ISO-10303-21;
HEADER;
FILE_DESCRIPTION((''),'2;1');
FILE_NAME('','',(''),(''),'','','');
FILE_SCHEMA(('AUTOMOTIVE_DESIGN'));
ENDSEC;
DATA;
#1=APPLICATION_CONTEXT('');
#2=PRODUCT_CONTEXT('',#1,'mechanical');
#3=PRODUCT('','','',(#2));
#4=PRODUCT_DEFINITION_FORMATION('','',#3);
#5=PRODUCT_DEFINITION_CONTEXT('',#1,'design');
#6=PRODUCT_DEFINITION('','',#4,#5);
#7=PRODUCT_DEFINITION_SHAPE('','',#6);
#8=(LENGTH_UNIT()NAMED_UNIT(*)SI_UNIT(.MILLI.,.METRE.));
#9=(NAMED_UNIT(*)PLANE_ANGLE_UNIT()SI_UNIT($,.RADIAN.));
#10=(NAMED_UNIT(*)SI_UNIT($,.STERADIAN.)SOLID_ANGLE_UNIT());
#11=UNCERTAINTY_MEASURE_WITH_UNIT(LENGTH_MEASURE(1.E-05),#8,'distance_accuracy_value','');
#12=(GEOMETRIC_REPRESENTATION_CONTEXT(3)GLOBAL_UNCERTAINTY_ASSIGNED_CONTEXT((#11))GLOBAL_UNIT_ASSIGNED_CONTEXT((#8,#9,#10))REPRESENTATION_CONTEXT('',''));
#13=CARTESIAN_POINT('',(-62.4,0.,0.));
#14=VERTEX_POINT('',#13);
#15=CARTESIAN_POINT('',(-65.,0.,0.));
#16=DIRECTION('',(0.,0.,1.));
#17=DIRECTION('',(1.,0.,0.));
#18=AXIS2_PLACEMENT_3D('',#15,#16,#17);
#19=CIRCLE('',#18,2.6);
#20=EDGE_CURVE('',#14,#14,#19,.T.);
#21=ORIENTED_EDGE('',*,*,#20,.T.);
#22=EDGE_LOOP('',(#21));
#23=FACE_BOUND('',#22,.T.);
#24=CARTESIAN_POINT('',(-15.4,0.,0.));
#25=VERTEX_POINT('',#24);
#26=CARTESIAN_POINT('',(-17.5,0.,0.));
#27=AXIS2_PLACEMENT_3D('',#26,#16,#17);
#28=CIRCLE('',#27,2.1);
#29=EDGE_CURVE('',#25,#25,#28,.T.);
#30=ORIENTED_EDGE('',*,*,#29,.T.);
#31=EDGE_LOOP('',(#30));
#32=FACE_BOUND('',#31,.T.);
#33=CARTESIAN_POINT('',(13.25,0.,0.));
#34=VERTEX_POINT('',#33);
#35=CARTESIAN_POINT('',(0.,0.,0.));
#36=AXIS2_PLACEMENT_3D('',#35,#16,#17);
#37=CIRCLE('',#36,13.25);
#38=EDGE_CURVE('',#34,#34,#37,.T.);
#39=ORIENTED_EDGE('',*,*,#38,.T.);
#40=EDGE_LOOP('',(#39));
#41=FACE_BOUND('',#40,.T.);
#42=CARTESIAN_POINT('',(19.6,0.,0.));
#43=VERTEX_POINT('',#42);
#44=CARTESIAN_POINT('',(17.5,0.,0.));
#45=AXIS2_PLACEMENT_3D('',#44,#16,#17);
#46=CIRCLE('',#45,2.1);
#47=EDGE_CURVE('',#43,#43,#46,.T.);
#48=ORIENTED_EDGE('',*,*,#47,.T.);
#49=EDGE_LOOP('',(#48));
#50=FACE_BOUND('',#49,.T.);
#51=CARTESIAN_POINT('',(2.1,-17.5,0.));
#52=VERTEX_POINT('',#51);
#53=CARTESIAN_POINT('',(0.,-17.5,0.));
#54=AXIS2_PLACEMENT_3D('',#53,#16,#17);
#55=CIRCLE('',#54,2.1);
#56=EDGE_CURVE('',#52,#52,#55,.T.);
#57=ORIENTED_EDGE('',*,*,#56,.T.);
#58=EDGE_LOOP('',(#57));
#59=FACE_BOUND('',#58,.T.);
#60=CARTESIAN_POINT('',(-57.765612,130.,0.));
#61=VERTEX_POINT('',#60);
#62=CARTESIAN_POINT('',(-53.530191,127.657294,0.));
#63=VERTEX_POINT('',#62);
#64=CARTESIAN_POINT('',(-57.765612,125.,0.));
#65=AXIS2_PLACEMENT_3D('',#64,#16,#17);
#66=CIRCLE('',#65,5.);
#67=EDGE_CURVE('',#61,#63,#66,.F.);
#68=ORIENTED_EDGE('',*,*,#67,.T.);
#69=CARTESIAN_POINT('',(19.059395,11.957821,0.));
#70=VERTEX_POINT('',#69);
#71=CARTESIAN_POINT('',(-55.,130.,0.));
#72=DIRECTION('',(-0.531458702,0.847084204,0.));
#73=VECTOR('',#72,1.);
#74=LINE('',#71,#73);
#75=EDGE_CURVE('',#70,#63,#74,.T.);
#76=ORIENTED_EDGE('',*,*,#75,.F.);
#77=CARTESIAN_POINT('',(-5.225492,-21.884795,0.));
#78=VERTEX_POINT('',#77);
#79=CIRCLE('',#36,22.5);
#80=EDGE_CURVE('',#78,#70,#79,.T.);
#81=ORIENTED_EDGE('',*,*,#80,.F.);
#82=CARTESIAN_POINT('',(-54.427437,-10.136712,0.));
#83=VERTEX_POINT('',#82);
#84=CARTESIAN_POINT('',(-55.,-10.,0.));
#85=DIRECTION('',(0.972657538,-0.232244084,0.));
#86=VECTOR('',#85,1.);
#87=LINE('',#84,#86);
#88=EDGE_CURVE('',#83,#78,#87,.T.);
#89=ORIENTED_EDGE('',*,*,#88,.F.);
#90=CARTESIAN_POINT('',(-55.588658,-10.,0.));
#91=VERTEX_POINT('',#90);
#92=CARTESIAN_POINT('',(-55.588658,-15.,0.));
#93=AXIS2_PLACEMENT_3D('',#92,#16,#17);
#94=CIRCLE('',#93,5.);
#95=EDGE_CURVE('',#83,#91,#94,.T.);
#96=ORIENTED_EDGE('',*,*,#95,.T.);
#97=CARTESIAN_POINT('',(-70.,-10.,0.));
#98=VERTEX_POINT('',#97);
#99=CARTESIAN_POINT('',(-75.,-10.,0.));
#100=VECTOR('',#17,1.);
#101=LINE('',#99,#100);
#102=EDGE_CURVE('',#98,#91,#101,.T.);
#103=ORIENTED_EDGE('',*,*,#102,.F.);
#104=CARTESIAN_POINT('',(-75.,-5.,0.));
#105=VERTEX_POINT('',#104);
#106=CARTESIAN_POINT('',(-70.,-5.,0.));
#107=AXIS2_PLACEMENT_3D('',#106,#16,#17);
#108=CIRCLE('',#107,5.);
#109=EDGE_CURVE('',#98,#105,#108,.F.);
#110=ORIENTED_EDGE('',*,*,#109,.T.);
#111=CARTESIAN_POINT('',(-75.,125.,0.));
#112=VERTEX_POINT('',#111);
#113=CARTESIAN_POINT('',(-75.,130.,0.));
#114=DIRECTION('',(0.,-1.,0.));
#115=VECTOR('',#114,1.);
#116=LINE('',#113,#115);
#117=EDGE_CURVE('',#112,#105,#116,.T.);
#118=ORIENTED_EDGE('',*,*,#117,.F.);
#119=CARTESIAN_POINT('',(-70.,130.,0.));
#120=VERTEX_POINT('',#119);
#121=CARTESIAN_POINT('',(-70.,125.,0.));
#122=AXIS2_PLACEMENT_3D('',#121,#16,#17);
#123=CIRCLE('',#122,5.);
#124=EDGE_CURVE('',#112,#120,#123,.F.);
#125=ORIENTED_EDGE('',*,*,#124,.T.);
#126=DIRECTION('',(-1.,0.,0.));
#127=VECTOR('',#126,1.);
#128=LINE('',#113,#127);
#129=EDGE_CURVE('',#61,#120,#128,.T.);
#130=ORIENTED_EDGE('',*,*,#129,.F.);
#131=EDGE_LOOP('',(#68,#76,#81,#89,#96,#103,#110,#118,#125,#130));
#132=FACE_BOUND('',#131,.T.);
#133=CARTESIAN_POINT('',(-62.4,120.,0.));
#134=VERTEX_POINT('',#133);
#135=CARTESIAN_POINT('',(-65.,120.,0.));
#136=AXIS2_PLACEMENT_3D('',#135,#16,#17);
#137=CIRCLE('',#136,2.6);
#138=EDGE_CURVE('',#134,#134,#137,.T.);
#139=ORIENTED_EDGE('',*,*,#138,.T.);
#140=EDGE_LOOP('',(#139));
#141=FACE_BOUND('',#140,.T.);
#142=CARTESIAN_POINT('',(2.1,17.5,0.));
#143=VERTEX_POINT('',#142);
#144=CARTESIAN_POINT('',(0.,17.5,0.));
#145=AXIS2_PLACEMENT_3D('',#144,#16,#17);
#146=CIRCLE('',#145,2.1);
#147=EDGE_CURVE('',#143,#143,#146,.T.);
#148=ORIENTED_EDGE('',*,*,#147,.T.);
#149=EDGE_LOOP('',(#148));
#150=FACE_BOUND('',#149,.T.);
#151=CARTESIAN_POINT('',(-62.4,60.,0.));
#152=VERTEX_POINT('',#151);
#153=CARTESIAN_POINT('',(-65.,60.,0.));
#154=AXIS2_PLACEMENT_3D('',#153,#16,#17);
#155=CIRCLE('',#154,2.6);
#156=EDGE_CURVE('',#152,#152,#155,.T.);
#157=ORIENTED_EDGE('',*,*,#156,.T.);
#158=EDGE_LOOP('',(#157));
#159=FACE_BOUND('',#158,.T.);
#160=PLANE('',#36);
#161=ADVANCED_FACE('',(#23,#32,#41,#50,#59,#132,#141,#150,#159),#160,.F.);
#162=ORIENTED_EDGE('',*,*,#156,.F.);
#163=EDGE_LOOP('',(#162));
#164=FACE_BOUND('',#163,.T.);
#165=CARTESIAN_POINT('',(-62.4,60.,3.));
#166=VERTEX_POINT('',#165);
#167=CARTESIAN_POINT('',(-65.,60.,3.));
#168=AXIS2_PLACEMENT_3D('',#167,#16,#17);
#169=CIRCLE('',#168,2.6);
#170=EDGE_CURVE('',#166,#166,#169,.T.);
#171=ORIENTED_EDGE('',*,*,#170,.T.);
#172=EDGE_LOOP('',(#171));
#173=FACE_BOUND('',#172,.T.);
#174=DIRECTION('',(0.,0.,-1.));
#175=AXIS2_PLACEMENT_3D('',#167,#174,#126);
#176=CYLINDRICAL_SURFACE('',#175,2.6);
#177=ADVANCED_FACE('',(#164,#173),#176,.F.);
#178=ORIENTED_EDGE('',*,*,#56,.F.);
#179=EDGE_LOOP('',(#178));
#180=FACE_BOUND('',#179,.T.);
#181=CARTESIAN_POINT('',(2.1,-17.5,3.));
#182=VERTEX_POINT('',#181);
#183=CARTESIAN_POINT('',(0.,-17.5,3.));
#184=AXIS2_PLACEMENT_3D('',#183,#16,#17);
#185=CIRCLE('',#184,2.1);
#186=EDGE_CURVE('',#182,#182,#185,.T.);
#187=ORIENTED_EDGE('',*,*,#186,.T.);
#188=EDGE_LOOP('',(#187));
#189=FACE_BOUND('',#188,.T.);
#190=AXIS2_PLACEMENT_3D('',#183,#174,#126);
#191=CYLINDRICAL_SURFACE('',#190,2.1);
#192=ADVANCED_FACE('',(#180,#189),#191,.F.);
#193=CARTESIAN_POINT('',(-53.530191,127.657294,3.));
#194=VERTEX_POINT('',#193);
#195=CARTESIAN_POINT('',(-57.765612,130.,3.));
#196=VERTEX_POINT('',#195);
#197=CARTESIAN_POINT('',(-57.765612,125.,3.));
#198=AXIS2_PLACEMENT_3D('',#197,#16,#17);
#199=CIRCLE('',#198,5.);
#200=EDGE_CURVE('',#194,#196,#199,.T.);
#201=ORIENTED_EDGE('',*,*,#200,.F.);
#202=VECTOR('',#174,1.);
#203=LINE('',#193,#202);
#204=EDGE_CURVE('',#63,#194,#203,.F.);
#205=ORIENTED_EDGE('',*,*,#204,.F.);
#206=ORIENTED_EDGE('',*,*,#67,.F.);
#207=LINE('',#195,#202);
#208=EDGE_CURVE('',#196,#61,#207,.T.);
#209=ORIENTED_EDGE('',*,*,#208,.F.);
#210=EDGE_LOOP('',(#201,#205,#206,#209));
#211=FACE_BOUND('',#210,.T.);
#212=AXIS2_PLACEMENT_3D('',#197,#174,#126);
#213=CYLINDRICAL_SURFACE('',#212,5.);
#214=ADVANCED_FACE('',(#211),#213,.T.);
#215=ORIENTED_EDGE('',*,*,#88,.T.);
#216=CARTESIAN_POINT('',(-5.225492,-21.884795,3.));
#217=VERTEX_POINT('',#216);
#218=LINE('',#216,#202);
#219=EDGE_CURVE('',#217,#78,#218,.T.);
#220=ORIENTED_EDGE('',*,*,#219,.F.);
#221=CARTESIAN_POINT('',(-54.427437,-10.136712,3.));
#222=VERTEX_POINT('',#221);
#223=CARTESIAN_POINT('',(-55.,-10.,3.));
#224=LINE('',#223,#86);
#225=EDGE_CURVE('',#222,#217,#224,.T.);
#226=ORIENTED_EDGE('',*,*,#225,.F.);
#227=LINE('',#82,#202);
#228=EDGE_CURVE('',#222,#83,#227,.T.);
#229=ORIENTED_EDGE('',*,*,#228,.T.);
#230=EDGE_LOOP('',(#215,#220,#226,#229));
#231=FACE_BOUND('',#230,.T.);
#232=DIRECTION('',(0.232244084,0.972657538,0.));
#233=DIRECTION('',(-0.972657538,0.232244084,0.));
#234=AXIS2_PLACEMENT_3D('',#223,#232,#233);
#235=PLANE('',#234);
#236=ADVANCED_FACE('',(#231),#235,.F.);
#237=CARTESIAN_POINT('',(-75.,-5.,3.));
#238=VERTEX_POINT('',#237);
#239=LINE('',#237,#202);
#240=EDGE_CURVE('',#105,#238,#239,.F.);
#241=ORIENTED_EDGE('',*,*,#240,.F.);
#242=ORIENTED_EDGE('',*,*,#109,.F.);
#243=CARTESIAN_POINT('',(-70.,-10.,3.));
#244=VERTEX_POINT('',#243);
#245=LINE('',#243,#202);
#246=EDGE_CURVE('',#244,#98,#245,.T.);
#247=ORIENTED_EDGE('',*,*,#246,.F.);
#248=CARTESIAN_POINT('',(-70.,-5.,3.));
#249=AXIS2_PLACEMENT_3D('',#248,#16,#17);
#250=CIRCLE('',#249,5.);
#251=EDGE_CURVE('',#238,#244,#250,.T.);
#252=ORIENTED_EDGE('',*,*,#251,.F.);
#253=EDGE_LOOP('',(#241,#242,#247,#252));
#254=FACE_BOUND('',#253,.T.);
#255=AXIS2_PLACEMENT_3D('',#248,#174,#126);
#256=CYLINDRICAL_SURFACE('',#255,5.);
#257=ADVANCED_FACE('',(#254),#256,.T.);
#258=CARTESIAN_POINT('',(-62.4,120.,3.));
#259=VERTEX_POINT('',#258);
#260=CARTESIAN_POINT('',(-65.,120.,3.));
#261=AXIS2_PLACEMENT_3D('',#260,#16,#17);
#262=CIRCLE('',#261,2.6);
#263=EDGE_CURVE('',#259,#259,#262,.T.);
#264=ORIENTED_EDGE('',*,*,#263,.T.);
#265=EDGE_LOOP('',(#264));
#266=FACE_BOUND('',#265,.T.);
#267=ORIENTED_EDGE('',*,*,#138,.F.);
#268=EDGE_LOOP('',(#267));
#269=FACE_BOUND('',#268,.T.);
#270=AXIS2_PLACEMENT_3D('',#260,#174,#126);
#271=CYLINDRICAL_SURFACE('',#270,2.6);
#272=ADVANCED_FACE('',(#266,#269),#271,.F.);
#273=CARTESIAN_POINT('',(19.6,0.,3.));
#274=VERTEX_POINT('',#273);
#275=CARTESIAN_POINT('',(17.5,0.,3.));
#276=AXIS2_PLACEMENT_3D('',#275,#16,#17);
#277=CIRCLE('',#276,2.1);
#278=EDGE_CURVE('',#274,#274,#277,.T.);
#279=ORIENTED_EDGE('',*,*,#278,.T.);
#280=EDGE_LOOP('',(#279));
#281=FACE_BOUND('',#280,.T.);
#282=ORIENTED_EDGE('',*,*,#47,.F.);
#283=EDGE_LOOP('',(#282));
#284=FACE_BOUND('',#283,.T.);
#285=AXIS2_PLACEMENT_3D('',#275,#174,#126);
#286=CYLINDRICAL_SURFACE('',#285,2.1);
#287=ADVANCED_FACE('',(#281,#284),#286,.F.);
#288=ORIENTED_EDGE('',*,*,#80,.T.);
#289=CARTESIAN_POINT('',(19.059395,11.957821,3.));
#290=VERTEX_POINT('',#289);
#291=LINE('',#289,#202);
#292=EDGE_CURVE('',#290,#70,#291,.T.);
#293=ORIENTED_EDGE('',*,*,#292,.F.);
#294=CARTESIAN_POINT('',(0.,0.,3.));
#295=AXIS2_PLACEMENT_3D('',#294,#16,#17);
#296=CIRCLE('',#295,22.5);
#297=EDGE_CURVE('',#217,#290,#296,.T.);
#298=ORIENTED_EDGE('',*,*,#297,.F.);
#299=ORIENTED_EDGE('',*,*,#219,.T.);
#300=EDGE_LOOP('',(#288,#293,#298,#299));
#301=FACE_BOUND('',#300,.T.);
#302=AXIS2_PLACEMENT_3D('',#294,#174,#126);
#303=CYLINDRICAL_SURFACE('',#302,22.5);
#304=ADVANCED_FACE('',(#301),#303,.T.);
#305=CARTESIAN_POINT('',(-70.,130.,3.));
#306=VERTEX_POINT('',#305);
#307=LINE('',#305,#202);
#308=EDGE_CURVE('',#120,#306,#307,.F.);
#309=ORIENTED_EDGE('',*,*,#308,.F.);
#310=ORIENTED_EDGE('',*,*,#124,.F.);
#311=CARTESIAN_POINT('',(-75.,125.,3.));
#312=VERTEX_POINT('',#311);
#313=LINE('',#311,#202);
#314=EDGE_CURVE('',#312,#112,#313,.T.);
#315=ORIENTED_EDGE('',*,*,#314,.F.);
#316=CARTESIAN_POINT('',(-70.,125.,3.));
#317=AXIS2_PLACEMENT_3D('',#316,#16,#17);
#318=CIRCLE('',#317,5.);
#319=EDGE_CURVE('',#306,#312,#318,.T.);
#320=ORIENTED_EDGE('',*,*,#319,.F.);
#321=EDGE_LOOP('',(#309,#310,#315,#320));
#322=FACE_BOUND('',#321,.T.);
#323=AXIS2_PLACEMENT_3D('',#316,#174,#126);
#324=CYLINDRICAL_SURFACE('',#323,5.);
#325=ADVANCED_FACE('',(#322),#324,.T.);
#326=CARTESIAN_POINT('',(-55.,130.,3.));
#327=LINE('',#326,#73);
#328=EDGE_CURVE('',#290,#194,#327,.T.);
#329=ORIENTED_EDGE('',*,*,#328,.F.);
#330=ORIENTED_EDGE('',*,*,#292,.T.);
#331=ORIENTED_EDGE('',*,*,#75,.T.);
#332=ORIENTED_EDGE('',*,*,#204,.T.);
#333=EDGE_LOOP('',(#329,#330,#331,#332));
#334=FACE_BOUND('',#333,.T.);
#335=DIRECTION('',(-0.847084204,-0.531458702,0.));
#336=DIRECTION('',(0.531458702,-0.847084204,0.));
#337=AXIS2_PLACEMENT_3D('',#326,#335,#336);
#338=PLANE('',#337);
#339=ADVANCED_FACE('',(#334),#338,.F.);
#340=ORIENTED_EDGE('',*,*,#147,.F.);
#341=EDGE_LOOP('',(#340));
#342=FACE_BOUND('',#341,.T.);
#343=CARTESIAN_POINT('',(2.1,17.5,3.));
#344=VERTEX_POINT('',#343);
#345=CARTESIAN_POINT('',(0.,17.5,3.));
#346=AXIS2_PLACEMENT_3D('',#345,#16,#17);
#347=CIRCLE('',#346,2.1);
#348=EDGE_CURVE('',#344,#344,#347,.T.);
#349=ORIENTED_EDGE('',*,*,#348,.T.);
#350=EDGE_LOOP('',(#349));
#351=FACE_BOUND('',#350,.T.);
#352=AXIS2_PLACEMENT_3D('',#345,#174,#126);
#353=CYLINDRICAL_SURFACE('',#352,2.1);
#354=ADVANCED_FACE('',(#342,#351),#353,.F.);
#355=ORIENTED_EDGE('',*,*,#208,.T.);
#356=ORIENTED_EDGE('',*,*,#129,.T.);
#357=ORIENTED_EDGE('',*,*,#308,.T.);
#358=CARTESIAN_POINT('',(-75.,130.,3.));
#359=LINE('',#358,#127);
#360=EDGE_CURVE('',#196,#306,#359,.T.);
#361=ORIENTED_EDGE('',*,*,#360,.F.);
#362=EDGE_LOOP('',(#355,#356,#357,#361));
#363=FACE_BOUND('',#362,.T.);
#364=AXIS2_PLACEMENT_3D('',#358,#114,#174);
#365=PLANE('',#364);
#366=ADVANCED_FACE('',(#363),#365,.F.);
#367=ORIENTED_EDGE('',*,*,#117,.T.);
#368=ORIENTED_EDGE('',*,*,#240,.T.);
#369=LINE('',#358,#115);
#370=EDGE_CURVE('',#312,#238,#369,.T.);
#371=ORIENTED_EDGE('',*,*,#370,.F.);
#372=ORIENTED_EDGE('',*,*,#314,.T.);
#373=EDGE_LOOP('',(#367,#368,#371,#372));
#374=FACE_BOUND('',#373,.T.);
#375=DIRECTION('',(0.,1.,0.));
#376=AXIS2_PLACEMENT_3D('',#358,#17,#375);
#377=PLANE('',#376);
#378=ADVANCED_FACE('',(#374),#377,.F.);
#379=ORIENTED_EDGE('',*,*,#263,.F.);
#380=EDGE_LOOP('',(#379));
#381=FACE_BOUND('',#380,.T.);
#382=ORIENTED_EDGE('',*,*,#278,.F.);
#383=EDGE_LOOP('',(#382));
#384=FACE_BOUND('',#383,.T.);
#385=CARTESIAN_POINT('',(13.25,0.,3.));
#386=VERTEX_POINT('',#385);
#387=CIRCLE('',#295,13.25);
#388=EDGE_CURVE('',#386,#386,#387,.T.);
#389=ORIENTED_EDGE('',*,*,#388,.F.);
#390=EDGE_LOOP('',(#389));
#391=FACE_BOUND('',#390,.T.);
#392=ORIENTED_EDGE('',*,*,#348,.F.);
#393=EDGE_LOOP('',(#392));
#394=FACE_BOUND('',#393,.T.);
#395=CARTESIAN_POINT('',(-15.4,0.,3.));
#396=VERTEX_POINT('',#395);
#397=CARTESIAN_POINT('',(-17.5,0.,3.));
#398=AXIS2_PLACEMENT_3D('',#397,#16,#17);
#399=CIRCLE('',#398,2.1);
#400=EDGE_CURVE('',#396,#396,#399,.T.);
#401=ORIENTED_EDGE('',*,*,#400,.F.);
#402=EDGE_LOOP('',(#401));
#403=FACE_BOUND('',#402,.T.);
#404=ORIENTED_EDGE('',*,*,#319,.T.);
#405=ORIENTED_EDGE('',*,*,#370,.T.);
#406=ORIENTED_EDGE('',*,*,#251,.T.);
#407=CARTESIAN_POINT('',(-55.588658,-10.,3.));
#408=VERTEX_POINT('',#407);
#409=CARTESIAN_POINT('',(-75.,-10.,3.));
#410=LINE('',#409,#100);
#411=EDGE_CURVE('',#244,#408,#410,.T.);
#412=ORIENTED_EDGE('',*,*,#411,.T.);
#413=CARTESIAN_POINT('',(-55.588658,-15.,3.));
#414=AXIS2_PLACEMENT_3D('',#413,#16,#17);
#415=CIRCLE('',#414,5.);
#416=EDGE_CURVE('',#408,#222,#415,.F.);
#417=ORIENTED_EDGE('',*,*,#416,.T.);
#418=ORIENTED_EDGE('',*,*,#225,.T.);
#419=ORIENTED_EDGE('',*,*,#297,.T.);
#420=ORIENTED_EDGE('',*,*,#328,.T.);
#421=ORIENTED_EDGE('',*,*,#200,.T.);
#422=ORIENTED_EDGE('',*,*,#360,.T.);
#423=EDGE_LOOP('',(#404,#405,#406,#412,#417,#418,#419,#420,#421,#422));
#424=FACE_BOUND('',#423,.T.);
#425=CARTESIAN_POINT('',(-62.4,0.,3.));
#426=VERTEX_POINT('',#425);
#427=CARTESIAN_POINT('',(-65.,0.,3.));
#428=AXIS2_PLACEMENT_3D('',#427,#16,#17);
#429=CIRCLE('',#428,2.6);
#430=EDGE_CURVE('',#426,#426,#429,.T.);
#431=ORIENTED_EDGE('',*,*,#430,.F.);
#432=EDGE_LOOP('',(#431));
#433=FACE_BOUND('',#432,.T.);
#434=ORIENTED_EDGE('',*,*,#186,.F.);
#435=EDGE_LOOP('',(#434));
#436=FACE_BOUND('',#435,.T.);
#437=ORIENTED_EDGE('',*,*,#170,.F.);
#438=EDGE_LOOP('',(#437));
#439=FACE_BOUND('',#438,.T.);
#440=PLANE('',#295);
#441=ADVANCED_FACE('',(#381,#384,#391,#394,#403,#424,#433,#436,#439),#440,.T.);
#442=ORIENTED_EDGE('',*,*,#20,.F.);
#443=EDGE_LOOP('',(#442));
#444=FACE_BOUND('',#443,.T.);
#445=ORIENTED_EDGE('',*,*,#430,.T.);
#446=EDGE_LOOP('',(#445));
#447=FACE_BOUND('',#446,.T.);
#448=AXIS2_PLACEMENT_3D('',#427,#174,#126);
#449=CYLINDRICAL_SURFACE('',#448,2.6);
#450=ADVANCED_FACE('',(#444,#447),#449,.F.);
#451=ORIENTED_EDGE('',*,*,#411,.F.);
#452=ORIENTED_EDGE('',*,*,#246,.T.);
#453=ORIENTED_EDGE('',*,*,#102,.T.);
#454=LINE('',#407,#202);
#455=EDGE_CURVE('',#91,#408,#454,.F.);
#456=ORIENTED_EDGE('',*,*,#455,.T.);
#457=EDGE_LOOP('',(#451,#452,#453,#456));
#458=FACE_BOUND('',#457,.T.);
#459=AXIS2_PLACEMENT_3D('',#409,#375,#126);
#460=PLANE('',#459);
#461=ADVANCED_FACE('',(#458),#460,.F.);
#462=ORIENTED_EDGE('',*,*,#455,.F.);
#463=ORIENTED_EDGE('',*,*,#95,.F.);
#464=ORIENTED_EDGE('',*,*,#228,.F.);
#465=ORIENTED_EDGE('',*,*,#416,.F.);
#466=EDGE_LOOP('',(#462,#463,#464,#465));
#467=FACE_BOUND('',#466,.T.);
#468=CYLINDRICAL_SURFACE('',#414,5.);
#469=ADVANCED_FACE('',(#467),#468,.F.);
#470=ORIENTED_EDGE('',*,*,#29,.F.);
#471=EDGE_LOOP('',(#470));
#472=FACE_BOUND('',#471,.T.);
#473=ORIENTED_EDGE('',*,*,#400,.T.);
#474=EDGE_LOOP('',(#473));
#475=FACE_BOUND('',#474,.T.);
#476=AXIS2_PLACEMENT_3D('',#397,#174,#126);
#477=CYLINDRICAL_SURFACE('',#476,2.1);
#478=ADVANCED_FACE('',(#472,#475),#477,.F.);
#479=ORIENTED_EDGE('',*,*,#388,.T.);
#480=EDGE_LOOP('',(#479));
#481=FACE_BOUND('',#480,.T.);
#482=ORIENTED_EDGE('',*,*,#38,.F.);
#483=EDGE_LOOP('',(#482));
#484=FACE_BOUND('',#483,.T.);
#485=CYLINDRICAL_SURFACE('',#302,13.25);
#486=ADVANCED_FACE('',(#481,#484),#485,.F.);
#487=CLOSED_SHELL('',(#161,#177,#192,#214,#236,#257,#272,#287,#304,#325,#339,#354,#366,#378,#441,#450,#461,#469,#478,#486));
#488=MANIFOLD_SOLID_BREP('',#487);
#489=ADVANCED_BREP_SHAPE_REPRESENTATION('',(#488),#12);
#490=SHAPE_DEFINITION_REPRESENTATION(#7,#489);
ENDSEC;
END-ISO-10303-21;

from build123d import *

# Parameters (mm, degrees)
SKETCH_2_R      = 13.25
SKETCH_2_R_2    = 2.1
SKETCH_2_R_3    = 2.6
EXTRUDE_1_DEPTH = 3
FILLET_3_R      = 5


with BuildPart() as part:
    # ｽｹｯﾁ2 → ﾎﾞｽ - 押し出し1 (new body)
    with BuildSketch(Plane.XY):
        with BuildLine():
            Line((-75, 130), (-75, -10))
            Line((-75, -10), (-55, -10))
            Line((-55, -10), (-5.225491892, -21.884794596))
            ThreePointArc((-5.225491892, -21.884794596), (18.280450485, -13.117741043), (19.059394587, 11.957820787))
            Line((19.059394587, 11.957820787), (-55, 130))
            Line((-55, 130), (-75, 130))
        make_face()
        Circle(SKETCH_2_R, mode=Mode.SUBTRACT)
        with Locations((0, 17.5)):
            Circle(SKETCH_2_R_2, mode=Mode.SUBTRACT)
        with Locations((17.5, 0)):
            Circle(SKETCH_2_R_2, mode=Mode.SUBTRACT)
        with Locations((0, -17.5)):
            Circle(SKETCH_2_R_2, mode=Mode.SUBTRACT)
        with Locations((-17.5, 0)):
            Circle(SKETCH_2_R_2, mode=Mode.SUBTRACT)
        with Locations((-65, 60)):
            Circle(SKETCH_2_R_3, mode=Mode.SUBTRACT)
        with Locations((-65, 120)):
            Circle(SKETCH_2_R_3, mode=Mode.SUBTRACT)
        with Locations((-65, 0)):
            Circle(SKETCH_2_R_3, mode=Mode.SUBTRACT)
    extrude(amount=EXTRUDE_1_DEPTH)

    # ﾌｨﾚｯﾄ3
    fillet_3_edges = [part.edges().sort_by_distance(p)[0] for p in [
        (-55, 130, 1.5),
        (-55, -10, 1.5),
        (-75, -10, 1.5),
        (-75, 130, 1.5),
    ]]
    fillet(fillet_3_edges, radius=FILLET_3_R)


solid = part.part
